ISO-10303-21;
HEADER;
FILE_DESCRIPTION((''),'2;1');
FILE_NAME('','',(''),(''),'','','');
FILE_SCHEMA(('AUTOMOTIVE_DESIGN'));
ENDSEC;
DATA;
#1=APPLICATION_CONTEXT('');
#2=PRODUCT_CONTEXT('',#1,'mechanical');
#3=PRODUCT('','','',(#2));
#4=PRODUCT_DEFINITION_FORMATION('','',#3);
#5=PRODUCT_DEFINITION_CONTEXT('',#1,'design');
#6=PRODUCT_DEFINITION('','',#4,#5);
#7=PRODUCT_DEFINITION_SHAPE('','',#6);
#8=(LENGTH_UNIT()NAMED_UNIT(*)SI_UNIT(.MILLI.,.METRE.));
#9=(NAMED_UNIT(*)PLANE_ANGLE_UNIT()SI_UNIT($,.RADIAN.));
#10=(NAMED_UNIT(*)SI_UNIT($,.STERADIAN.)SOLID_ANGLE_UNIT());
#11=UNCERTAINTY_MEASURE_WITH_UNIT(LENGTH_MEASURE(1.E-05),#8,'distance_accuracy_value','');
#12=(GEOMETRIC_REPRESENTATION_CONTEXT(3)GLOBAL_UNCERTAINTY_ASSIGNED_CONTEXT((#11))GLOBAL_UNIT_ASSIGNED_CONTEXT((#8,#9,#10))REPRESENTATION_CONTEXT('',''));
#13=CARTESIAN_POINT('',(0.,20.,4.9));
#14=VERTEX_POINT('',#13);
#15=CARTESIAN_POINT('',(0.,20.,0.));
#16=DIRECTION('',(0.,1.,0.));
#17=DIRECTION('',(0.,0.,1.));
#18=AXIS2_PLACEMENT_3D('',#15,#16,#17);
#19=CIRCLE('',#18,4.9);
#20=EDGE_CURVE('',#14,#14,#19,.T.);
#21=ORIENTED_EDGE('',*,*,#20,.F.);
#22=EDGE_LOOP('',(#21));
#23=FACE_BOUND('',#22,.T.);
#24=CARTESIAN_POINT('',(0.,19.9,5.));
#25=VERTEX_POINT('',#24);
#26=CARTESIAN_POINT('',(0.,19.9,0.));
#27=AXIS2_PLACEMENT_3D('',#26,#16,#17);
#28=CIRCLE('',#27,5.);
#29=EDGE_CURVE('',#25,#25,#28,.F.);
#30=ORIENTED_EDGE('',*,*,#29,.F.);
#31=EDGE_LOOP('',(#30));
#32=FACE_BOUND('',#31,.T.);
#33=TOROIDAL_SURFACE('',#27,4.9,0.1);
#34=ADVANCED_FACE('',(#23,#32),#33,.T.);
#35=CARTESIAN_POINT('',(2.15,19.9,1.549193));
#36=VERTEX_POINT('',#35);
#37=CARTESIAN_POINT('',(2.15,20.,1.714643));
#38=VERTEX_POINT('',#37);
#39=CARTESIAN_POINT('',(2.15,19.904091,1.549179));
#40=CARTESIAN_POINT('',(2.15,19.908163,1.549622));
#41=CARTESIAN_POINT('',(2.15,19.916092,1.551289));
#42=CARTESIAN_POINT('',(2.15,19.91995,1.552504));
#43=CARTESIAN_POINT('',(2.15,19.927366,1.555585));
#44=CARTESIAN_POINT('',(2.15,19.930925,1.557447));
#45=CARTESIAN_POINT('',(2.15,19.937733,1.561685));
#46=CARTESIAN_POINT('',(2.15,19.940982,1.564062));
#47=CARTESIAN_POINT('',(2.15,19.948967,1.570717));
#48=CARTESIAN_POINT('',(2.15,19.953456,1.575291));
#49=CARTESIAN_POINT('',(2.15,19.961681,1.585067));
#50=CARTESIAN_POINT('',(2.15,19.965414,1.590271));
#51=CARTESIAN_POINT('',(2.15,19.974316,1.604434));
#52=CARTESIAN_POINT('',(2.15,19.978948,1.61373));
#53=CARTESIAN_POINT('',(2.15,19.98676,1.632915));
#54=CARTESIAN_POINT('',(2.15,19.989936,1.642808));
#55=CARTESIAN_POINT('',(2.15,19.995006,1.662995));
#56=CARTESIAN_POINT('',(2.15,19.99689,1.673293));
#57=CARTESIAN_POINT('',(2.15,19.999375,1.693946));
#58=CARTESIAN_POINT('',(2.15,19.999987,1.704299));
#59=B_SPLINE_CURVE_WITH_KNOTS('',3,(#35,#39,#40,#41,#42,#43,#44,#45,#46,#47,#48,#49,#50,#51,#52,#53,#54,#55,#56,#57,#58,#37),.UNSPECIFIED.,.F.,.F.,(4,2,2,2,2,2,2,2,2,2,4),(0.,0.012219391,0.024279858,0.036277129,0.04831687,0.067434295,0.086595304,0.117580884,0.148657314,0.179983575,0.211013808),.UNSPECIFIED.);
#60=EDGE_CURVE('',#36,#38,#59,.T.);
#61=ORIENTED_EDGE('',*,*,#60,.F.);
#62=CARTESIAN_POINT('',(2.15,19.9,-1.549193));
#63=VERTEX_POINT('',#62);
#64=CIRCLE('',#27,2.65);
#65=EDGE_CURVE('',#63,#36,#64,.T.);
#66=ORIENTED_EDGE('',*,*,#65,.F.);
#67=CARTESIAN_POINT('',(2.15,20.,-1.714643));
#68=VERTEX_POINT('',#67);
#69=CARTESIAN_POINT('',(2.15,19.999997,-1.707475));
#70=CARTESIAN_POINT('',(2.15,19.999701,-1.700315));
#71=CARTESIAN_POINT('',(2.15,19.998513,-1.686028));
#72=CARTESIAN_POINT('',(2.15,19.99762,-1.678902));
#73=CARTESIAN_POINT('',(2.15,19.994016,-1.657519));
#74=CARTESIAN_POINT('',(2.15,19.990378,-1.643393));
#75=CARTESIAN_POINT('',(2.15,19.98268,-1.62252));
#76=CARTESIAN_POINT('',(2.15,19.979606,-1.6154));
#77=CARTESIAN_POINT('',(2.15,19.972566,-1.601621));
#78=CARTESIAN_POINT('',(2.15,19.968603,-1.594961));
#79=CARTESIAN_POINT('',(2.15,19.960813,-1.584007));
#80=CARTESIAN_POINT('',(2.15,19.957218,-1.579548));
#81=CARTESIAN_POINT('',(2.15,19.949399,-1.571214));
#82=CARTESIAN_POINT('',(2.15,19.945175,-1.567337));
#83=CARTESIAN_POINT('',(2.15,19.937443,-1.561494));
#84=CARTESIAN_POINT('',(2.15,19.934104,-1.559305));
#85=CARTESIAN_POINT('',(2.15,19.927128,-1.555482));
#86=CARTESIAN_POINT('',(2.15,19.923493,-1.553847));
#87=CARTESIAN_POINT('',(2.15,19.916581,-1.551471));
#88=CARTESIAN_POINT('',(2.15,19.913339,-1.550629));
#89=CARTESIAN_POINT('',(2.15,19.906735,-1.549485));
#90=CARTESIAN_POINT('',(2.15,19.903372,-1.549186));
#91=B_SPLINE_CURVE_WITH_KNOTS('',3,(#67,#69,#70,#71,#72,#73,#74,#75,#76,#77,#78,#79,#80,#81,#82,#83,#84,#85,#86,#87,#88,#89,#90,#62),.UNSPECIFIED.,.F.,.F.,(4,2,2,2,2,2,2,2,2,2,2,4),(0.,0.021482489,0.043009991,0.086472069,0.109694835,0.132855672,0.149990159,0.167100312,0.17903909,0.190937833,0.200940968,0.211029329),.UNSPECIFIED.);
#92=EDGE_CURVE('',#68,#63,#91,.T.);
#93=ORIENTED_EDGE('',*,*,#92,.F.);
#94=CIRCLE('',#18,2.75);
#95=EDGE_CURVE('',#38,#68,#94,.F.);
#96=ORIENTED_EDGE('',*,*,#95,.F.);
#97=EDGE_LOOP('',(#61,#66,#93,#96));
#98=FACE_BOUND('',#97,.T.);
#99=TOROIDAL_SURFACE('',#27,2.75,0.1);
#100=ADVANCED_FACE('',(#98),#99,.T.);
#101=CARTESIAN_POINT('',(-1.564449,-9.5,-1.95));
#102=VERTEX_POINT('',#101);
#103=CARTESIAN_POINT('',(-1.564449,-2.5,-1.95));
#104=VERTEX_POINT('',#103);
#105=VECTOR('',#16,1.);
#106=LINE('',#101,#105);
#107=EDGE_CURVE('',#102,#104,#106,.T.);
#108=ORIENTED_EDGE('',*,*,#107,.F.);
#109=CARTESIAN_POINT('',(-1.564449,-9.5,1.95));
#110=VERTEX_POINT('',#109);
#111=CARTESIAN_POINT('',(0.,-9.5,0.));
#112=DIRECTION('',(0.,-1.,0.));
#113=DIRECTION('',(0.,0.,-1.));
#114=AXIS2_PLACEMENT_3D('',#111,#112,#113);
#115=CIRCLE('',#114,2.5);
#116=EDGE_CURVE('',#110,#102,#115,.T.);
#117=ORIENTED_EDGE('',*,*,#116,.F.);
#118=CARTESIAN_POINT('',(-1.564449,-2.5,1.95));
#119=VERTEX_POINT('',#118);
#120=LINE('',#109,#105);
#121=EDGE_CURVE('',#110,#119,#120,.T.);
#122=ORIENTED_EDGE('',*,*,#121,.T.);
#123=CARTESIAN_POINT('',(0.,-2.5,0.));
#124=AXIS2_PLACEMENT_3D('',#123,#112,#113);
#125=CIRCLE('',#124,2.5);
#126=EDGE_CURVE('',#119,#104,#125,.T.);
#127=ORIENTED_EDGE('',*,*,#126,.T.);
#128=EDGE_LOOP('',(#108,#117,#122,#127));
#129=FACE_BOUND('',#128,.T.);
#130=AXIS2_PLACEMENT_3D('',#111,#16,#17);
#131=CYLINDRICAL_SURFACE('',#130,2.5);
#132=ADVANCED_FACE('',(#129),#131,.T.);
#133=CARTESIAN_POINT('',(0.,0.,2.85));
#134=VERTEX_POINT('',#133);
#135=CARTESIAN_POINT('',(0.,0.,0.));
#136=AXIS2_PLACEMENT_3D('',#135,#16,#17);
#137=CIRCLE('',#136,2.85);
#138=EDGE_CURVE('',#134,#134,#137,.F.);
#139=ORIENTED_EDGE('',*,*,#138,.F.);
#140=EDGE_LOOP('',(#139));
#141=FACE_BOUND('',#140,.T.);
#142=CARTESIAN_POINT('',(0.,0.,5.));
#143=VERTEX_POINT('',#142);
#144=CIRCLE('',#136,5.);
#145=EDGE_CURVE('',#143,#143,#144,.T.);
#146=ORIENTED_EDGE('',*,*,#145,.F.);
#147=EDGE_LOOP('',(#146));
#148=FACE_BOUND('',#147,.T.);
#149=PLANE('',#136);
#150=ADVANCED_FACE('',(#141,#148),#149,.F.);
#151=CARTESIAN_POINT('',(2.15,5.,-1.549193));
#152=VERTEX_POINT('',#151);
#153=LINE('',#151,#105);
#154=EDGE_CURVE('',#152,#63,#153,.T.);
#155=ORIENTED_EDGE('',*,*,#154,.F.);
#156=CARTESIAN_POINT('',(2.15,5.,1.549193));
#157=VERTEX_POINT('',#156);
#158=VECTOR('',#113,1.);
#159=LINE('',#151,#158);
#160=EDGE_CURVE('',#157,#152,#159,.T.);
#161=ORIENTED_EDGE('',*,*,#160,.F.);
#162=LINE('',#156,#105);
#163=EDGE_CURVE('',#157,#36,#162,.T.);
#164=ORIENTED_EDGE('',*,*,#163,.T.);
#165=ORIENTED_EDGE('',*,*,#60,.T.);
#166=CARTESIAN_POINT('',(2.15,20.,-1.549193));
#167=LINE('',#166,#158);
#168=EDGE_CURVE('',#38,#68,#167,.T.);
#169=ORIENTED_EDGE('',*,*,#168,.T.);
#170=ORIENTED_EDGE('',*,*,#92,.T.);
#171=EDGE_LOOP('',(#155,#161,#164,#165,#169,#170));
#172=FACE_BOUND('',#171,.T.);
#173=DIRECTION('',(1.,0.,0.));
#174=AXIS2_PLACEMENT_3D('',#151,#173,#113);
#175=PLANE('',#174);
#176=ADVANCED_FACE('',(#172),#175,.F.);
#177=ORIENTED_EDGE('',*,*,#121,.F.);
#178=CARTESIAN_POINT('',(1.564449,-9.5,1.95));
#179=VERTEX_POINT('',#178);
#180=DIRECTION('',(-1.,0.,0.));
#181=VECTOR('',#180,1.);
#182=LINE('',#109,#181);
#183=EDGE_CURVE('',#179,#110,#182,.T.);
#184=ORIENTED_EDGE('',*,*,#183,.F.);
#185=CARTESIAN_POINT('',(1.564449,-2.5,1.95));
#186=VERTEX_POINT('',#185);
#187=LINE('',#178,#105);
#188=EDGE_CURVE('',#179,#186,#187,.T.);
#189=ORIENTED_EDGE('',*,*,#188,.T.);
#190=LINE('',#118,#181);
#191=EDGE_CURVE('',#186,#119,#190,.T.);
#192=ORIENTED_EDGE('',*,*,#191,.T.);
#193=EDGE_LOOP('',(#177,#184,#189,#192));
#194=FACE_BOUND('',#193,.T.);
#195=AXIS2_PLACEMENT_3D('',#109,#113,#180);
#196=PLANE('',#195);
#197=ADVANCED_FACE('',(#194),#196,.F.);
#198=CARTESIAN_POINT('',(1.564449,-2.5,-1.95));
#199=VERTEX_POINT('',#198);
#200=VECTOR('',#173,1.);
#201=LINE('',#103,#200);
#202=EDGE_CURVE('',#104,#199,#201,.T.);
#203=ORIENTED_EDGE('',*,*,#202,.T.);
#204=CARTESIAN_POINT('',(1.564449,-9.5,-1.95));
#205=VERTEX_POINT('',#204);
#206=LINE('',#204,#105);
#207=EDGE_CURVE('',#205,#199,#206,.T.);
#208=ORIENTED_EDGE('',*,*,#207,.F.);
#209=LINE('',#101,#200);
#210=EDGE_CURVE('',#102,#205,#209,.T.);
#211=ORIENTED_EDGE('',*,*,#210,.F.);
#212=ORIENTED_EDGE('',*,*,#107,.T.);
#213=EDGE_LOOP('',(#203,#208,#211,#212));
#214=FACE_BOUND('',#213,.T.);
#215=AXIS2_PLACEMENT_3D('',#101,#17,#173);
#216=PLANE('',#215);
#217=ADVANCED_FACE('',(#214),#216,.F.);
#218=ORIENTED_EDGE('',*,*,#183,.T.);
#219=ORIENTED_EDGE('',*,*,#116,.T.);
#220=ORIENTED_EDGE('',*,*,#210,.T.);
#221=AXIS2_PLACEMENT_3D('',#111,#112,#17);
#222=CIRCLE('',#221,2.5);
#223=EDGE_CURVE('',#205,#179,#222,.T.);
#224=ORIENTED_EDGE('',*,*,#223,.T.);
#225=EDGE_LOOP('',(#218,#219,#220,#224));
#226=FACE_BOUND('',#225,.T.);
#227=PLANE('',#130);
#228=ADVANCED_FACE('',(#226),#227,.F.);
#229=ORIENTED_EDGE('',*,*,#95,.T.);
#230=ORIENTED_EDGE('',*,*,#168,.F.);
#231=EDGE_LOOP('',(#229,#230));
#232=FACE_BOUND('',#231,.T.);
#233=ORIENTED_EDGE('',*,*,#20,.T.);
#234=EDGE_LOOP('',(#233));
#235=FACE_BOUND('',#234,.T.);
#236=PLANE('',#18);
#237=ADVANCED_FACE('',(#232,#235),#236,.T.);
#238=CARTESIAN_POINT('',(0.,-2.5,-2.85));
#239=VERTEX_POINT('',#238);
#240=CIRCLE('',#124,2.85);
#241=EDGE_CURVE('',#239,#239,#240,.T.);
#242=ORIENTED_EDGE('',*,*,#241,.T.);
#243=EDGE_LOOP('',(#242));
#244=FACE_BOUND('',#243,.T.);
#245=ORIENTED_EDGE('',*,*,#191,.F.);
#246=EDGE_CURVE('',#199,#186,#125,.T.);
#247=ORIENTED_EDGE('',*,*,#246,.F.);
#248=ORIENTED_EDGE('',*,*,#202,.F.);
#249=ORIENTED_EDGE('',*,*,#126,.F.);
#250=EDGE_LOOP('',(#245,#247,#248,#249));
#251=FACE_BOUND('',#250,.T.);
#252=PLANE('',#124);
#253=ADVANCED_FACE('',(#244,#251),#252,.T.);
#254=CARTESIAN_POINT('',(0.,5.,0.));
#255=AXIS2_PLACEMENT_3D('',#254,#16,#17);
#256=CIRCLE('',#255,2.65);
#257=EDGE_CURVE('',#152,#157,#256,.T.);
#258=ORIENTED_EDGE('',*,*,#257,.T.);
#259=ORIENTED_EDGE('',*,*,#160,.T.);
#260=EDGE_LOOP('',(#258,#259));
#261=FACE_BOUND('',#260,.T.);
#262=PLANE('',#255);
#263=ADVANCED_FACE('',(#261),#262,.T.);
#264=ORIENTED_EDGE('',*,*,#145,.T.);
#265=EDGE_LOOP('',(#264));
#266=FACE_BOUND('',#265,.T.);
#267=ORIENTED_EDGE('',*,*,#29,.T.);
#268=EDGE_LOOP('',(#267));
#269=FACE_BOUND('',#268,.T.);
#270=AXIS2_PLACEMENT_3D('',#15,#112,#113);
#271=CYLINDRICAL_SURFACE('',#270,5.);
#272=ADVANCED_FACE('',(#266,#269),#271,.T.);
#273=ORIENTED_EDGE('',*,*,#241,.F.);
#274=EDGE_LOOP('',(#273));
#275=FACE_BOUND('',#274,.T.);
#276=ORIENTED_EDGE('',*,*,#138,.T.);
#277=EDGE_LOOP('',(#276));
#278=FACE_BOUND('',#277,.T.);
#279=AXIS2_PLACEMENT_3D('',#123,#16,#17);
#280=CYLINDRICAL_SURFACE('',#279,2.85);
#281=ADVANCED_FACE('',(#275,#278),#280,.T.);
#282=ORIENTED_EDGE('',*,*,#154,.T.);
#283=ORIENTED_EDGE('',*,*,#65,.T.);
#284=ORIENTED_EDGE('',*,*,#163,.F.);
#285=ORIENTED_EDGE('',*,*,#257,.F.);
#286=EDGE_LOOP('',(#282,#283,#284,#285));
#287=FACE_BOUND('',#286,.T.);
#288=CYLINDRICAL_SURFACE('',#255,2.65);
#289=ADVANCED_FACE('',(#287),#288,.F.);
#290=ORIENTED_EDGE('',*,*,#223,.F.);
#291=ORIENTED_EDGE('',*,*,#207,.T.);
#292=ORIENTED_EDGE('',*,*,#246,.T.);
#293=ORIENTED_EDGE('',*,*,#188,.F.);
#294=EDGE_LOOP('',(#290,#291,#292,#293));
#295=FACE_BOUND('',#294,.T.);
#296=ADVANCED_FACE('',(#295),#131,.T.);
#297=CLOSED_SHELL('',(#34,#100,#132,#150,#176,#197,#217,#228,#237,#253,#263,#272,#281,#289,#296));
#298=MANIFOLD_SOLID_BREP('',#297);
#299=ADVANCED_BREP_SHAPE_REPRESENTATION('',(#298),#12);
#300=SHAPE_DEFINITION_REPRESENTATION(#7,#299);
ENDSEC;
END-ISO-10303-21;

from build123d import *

# Parameters (mm, degrees)
SKETCH2_R           = 5
BOSS_EXTRUDE1_DEPTH = 20
CUT_EXTRUDE3_DEPTH  = 15
BOSS_EXTRUDE2_DEPTH = 9.5
SKETCH6_R           = 2.85
BOSS_EXTRUDE3_DEPTH = 2.5
FILLET3_R           = 0.1


with BuildPart() as part:
    # Sketch2 → Boss-Extrude1 (new body)
    with BuildSketch(Plane(origin=(0, 0, 0), x_dir=(1, 0, 0), z_dir=(0, 1, 0))):
        with Locations(Location((0, 0, 0), (0, 0, 270))):
            Circle(SKETCH2_R)
    extrude(amount=BOSS_EXTRUDE1_DEPTH)

    # Sketch3 → Cut-Extrude3 (cut)
    with BuildSketch(Plane(origin=(0, 20, 0), x_dir=(1, 0, 0), z_dir=(0, 1, 0))):
        with BuildLine():
            Line((2.15, 1.549193338), (2.15, -1.549193338))
            ThreePointArc((2.15, -1.549193338), (-2.65, 0), (2.15, 1.549193338))
        make_face()
    extrude(amount=-CUT_EXTRUDE3_DEPTH, mode=Mode.SUBTRACT)

    # Sketch4 → Boss-Extrude2 (add)
    with BuildSketch(Plane(origin=(0, 0, 0), x_dir=(-1, 0, 0), z_dir=(0, -1, 0))):
        with BuildLine():
            Line((1.564448785, 1.95), (-1.564448785, 1.95))
            ThreePointArc((-1.564448785, 1.95), (-2.5, 0), (-1.564448785, -1.95))
            Line((-1.564448785, -1.95), (1.564448785, -1.95))
            ThreePointArc((1.564448785, -1.95), (2.5, 0), (1.564448785, 1.95))
        make_face()
    extrude(amount=BOSS_EXTRUDE2_DEPTH)

    # Sketch6 → Boss-Extrude3 (add)
    with BuildSketch(Plane.XZ):
        with Locations(Location((0, 0, 0), (0, 0, 90))):
            Circle(SKETCH6_R)
    extrude(amount=BOSS_EXTRUDE3_DEPTH)

    # Fillet3
    fillet3_edges = [part.edges().sort_by_distance(p)[0] for p in [
        (0, 20, -5),
        (-2.65, 20, 0),
    ]]
    fillet(fillet3_edges, radius=FILLET3_R)


solid = part.part
